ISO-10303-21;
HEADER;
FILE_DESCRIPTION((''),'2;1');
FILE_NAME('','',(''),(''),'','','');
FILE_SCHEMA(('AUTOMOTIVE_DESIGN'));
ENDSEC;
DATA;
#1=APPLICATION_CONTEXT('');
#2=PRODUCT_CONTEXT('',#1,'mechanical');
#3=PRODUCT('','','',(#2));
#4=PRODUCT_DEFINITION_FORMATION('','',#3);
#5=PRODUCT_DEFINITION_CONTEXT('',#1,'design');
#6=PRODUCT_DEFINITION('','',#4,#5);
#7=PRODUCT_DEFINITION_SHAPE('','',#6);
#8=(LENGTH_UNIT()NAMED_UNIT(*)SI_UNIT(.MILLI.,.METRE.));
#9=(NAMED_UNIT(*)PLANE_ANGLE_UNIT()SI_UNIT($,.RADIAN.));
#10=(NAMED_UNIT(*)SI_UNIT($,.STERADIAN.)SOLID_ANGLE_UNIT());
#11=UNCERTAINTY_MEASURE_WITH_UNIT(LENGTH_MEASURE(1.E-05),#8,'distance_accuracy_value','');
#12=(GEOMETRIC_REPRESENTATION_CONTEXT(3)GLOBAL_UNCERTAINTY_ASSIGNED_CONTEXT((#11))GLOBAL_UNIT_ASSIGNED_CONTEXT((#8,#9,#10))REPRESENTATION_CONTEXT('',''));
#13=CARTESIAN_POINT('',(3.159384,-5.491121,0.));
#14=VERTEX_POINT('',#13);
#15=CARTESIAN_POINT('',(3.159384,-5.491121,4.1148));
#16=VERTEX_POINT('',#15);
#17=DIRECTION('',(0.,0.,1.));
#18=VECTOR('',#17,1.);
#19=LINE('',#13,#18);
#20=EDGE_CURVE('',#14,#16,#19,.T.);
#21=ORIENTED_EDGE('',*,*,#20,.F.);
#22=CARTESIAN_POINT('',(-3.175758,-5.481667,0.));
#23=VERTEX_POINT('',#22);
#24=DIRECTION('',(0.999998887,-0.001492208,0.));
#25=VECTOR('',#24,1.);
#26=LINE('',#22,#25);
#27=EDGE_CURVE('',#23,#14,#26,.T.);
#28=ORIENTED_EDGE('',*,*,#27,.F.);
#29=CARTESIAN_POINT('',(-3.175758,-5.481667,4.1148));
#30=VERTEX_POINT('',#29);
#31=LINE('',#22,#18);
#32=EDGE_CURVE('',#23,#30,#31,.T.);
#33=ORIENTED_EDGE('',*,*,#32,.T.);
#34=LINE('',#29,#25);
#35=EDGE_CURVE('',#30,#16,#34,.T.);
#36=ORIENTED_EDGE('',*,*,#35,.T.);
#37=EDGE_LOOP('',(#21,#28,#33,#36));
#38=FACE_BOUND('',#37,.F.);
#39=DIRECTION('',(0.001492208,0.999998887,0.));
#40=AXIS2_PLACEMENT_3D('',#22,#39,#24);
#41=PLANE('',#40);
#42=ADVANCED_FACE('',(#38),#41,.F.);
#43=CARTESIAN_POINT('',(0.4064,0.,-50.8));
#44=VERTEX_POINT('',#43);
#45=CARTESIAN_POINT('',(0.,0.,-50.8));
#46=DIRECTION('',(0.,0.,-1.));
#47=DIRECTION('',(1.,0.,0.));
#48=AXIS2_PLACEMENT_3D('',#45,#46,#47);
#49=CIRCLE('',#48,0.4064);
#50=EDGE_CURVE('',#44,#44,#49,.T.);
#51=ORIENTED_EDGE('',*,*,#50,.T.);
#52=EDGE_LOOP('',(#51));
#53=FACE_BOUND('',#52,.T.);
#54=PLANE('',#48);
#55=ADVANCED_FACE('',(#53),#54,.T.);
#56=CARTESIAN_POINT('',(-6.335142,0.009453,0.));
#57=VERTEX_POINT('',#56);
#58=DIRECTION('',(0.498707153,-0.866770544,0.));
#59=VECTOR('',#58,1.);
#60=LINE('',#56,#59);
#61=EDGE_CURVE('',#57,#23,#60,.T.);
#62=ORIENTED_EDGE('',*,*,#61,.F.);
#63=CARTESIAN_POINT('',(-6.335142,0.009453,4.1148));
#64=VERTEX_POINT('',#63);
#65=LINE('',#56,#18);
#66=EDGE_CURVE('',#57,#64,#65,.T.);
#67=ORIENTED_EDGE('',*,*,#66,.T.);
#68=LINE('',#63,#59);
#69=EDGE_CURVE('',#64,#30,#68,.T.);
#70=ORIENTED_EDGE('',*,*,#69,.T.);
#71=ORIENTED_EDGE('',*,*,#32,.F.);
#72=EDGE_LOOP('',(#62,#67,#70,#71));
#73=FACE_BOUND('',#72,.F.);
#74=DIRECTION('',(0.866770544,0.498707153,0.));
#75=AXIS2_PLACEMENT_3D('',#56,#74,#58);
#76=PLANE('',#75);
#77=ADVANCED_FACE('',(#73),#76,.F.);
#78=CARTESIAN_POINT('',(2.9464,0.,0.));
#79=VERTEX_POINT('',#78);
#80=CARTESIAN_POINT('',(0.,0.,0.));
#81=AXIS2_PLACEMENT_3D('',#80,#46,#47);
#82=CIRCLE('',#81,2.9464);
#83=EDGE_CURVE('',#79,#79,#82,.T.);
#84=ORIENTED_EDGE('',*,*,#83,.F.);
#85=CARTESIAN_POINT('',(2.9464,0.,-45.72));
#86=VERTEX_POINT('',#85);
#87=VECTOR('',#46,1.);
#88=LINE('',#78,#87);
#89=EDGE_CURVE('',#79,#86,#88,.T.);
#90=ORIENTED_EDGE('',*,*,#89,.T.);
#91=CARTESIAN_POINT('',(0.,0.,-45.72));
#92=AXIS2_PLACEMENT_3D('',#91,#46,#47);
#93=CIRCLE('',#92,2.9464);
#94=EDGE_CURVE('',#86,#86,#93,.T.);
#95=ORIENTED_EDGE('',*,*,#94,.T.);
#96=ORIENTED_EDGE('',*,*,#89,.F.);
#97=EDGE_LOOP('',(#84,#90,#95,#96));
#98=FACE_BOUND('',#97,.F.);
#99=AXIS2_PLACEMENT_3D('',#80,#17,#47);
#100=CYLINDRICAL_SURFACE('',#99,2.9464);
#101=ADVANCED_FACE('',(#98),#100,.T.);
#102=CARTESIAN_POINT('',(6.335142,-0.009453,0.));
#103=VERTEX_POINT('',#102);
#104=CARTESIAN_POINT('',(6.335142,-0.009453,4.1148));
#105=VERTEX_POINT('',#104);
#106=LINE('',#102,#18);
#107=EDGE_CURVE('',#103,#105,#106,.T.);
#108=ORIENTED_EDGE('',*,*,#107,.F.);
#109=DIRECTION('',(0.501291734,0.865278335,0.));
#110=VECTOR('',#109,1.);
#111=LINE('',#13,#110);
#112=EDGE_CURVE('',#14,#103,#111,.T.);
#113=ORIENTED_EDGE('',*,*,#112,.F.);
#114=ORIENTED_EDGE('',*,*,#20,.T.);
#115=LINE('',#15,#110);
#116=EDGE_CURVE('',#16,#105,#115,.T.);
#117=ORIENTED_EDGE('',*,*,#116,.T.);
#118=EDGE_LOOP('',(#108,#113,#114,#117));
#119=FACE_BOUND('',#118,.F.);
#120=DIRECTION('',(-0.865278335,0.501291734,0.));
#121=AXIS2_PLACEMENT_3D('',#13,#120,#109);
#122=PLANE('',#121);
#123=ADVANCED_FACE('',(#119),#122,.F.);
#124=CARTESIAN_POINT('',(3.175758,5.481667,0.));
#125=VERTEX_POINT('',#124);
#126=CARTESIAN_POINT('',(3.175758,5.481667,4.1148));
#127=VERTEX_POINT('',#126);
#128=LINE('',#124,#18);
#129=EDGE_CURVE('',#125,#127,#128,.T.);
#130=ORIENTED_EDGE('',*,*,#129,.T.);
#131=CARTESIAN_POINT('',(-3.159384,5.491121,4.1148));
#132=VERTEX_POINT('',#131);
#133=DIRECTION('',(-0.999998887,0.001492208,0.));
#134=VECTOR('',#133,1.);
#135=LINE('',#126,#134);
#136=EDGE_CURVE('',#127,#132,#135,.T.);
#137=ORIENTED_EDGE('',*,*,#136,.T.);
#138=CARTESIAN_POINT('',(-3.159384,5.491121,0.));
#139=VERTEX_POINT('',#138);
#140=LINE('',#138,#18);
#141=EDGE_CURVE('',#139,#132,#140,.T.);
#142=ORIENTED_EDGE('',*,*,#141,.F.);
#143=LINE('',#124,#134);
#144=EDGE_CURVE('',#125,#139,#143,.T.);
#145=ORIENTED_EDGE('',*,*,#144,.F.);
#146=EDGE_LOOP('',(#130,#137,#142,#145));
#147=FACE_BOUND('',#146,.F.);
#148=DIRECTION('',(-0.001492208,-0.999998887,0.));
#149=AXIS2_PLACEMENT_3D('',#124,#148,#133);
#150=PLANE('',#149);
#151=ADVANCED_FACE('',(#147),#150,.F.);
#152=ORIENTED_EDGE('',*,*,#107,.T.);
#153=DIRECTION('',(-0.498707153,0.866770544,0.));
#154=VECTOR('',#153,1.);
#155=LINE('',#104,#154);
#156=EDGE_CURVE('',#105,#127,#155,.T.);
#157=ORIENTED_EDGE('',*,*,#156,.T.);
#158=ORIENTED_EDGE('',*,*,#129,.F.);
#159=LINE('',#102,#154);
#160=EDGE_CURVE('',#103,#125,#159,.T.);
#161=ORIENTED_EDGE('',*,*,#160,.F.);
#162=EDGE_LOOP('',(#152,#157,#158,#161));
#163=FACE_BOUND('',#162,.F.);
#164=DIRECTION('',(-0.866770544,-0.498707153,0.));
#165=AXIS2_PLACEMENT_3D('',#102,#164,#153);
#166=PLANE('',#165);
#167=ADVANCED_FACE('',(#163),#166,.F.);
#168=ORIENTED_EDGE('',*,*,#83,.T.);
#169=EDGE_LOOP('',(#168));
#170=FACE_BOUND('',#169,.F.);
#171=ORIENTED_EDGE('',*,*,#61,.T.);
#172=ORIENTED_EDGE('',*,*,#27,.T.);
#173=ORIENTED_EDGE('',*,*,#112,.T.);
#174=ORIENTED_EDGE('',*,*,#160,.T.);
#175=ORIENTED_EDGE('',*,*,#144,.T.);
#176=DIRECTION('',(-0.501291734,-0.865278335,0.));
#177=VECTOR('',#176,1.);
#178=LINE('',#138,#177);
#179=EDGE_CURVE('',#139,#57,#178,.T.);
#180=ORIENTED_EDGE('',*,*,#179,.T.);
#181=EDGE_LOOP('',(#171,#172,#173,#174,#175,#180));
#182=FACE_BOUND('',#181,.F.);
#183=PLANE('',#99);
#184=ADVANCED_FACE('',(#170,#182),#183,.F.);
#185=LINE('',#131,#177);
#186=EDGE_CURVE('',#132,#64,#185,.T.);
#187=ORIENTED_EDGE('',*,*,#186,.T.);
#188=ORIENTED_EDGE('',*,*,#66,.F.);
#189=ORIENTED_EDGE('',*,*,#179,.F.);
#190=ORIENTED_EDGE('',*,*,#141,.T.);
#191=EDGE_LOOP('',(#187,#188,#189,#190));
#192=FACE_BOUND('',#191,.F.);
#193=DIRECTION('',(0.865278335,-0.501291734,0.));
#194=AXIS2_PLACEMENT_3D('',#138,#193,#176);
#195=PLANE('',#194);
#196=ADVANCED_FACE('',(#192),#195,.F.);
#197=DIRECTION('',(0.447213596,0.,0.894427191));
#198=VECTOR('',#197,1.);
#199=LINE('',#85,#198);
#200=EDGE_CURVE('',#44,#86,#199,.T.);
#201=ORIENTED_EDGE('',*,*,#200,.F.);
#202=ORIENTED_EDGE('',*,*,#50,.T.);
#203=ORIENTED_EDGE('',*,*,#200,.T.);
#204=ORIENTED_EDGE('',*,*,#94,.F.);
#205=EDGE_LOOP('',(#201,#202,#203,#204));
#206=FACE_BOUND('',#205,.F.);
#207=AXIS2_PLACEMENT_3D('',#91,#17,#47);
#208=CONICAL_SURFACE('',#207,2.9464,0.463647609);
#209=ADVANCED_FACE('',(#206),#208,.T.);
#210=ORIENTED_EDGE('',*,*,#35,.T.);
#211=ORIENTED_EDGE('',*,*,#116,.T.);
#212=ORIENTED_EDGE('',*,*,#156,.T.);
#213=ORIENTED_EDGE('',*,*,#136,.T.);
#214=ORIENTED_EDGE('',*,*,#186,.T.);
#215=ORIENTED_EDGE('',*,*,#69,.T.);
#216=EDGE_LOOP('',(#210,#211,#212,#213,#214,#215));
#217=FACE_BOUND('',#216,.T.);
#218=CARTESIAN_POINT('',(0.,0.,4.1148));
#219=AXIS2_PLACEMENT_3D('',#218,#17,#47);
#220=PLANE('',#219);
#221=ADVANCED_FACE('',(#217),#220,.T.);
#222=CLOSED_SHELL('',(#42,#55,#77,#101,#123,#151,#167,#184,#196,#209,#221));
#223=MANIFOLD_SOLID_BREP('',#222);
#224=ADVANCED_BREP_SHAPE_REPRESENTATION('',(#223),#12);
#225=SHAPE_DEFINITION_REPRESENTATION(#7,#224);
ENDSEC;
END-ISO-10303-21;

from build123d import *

# Parameters (mm, degrees)
F1_DEPTH = 4.1148
F2_R     = 2.9464
F3_DEPTH = 50.8
F4_SIZE2 = 5.08
F4_SIZE  = 2.54


with BuildPart() as f1:
    # F0 (on Top) → F1 (new body)
    with BuildSketch(Plane.XY):
        Polygon((3.1593841377, -5.4911205733), (6.3351419806, -0.0094533631), (3.1757578428, 5.4816672102), (-3.1593841377, 5.4911205733), (-6.3351419806, 0.0094533631), (-3.1757578428, -5.4816672102), align=None)
    extrude(amount=F1_DEPTH)

    # F2 (on face) → F3 (join)
    with BuildSketch(Plane(origin=(0, 0, 0), x_dir=(1, 0, 0), z_dir=(0, 0, -1))):
        Circle(F2_R)
    extrude(amount=F3_DEPTH)

    # F4
    f4_edges = [f1.edges().sort_by_distance(p)[0] for p in [
        (-2.9464, 0, -50.8),
    ]]
    f4_side = f1.faces().sort_by_distance((0, 0, -50.8))[0]
    chamfer(f4_edges, length=F4_SIZE, length2=F4_SIZE2, reference=f4_side)


solid = f1.part
